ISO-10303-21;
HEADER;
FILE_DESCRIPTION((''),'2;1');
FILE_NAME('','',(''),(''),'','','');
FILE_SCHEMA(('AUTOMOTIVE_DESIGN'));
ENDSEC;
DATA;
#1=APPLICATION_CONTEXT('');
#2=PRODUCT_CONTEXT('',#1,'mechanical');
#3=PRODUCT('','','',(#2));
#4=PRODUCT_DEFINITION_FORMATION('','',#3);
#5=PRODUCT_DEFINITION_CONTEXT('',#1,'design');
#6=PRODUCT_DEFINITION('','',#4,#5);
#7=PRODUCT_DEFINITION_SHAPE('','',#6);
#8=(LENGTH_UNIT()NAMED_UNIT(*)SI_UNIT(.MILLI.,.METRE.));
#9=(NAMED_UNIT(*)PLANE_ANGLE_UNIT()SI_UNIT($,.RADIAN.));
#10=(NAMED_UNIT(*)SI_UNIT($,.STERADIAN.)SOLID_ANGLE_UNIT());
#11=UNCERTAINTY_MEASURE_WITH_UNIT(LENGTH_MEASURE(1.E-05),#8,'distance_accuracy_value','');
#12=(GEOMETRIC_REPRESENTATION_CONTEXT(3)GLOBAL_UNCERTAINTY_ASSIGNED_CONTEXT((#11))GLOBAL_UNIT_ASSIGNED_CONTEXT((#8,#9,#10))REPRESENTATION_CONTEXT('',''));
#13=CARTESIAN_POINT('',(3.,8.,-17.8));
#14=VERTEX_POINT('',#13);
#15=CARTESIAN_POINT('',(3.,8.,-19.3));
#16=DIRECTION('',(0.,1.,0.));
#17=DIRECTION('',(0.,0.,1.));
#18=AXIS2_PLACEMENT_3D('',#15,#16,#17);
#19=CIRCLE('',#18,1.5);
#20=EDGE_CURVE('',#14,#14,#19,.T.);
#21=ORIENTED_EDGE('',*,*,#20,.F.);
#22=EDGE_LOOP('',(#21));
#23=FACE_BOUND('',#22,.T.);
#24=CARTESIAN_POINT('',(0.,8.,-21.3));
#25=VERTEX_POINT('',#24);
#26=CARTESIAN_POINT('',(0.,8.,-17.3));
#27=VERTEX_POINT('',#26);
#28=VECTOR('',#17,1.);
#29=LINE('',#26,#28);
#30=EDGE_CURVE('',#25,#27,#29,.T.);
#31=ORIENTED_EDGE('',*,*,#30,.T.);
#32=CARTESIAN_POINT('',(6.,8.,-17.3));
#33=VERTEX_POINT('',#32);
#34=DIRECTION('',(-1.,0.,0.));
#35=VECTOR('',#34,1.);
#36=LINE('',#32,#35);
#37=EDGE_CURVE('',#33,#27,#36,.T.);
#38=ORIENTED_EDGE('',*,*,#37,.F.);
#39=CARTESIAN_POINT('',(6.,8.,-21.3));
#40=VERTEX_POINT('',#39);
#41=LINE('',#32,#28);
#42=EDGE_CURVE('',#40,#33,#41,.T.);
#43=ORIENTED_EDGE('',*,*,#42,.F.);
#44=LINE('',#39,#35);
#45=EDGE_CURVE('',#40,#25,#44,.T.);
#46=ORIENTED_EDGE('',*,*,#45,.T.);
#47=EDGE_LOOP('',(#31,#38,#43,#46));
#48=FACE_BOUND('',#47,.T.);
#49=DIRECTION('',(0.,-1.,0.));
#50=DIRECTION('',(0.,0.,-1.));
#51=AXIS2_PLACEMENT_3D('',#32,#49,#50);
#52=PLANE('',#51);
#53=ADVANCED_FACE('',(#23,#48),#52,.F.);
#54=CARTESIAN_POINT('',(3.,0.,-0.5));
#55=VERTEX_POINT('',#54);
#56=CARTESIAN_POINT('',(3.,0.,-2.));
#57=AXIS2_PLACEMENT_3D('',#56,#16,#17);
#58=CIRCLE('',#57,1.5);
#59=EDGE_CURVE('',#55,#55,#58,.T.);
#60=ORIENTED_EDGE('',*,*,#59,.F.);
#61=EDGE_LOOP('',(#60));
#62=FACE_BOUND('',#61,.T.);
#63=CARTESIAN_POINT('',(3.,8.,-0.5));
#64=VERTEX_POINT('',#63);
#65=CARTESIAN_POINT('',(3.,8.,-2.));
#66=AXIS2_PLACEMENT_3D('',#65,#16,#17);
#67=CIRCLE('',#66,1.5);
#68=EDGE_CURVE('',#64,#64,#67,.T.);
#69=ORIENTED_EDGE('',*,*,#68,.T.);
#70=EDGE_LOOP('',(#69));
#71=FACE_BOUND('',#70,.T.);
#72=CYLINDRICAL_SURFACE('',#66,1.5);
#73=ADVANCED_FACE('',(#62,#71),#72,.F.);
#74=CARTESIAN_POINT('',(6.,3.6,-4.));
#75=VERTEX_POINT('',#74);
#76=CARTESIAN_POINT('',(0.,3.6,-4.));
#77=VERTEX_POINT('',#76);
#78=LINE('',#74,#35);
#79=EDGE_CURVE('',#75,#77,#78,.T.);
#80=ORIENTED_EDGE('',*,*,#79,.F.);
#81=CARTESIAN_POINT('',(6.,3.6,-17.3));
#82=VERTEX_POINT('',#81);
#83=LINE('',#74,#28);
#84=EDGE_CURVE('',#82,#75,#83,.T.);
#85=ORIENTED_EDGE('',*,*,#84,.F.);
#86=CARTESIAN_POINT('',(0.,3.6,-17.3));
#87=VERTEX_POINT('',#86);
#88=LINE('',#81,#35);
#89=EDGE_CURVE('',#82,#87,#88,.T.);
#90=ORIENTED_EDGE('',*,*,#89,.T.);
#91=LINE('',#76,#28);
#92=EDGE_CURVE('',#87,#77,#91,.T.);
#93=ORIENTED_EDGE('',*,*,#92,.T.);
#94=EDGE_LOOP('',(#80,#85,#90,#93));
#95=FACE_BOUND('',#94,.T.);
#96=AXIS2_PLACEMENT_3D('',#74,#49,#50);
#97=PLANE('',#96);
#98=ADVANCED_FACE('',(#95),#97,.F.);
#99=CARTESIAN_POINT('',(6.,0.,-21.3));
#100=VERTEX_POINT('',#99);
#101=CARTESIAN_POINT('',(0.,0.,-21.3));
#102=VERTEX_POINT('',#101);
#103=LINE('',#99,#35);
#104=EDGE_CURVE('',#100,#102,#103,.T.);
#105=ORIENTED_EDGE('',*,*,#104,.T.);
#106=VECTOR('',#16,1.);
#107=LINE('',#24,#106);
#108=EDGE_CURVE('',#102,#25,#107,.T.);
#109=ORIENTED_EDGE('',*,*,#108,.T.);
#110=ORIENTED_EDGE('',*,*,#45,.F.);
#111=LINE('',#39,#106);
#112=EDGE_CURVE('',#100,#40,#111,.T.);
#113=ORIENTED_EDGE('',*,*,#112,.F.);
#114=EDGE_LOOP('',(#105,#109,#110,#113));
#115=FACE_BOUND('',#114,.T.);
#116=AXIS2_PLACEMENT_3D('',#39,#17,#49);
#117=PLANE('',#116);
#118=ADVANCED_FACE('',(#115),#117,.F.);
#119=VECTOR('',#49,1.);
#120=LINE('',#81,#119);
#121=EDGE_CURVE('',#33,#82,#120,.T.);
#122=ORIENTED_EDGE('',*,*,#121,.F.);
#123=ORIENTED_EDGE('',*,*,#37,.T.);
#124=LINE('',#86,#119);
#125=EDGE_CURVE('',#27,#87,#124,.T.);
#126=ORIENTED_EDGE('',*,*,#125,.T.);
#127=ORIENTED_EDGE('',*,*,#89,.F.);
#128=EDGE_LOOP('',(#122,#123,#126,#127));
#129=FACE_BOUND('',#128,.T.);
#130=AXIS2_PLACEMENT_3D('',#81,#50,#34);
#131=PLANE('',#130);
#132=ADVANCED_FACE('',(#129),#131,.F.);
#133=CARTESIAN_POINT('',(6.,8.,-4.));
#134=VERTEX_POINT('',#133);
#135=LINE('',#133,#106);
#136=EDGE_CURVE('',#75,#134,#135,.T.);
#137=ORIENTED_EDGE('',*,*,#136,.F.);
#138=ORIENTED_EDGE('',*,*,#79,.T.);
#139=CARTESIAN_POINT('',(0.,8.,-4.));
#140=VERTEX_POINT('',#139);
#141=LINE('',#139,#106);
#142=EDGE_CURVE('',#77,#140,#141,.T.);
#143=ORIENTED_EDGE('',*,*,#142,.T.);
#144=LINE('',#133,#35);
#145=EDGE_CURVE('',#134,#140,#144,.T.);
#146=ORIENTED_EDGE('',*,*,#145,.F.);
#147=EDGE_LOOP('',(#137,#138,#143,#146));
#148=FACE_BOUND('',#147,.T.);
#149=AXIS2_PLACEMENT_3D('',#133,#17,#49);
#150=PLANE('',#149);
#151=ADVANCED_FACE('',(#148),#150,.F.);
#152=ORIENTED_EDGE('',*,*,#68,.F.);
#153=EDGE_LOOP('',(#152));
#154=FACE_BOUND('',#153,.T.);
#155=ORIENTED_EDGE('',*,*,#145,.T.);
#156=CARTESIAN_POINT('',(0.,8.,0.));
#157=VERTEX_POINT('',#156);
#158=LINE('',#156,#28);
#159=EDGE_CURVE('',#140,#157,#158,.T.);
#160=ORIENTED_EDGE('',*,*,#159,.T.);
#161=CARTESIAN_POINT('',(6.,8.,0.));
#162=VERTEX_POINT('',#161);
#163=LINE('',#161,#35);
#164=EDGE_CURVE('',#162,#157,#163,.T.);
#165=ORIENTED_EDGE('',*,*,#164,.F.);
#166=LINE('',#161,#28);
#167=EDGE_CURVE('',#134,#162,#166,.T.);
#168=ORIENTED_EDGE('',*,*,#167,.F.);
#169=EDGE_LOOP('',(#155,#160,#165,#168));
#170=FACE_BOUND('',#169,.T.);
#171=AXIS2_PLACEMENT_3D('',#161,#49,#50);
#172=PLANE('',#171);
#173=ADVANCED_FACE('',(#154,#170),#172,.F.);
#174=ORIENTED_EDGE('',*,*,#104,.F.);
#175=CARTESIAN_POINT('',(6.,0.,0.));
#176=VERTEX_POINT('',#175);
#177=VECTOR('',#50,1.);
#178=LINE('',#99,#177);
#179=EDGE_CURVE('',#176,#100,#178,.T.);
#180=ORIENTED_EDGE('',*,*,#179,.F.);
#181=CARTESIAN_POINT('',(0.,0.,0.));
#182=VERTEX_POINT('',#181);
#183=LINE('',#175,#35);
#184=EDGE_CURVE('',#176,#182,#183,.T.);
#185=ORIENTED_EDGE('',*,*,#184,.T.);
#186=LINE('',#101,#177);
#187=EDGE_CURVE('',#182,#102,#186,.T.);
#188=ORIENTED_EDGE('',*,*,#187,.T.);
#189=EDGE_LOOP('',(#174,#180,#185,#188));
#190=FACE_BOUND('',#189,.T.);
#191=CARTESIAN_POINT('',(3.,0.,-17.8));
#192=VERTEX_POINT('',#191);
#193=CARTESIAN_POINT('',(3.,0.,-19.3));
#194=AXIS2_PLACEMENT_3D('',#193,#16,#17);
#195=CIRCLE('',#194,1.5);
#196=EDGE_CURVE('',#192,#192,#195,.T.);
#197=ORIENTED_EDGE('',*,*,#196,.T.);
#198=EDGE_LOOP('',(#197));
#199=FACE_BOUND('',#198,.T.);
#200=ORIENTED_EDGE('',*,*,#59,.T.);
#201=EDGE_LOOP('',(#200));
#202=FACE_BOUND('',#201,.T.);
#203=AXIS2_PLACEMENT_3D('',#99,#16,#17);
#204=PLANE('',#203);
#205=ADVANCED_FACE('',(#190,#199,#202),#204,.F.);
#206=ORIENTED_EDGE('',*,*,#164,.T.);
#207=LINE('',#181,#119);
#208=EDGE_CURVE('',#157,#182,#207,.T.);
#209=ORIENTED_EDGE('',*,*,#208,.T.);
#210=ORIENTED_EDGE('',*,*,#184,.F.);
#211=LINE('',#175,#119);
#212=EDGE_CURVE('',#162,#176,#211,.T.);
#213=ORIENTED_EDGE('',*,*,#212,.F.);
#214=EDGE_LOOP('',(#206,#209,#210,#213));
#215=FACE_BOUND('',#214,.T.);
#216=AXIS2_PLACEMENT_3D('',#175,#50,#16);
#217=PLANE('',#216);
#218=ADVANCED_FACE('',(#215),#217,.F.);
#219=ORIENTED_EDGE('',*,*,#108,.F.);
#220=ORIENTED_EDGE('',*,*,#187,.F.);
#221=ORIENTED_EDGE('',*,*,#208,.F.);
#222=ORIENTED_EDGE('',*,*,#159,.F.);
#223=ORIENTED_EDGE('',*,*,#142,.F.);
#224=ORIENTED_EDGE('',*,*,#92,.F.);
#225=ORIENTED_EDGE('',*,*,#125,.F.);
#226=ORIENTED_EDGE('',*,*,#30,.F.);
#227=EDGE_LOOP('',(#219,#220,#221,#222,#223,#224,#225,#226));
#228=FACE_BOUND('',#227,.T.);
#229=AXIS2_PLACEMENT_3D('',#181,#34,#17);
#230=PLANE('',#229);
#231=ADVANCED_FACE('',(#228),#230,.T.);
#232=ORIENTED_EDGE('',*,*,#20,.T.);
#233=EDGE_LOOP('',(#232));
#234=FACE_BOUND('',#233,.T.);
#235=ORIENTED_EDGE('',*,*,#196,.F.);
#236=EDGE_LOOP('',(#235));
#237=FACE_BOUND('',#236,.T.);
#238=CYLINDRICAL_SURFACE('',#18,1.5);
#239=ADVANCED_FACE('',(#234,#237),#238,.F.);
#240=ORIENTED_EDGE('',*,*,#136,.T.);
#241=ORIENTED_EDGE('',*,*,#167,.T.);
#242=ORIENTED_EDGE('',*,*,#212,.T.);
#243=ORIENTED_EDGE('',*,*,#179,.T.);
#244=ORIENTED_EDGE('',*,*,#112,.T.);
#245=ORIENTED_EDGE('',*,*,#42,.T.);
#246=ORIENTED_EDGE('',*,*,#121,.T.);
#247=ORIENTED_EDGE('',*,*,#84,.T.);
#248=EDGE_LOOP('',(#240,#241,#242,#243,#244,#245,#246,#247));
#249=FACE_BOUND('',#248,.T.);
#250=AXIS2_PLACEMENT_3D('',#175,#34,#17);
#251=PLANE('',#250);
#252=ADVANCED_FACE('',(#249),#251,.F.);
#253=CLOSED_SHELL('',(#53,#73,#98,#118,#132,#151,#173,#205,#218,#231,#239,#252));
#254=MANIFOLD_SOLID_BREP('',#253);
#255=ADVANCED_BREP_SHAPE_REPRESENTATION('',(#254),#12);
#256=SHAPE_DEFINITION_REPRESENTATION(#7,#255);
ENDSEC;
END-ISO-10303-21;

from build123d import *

# Parameters (mm, degrees)
EXTRUDE_1_DEPTH  = 6
MM_CLEARANCE_1_D = 3


with BuildPart() as part:
    # 草图1 → 凸台-拉伸1 (new body)
    with BuildSketch(Plane(origin=(0, 0, 0), x_dir=(0, 0, -1), z_dir=(1, 0, 0))):
        Polygon((0, 0), (0, 8), (4, 8), (4, 3.6), (17.3, 3.6), (17.3, 8), (21.3, 8), (21.3, 0), align=None)
    extrude(amount=EXTRUDE_1_DEPTH)

    # 大小mm Clearance 暗销孔1 (through all)
    with Locations(Plane(origin=(3, 8, -2), x_dir=(0, 0, 1), z_dir=(0, 1, 0))):
        with Locations((0, 0), (-17.3, 0)):
            Hole(MM_CLEARANCE_1_D / 2)


solid = part.part
